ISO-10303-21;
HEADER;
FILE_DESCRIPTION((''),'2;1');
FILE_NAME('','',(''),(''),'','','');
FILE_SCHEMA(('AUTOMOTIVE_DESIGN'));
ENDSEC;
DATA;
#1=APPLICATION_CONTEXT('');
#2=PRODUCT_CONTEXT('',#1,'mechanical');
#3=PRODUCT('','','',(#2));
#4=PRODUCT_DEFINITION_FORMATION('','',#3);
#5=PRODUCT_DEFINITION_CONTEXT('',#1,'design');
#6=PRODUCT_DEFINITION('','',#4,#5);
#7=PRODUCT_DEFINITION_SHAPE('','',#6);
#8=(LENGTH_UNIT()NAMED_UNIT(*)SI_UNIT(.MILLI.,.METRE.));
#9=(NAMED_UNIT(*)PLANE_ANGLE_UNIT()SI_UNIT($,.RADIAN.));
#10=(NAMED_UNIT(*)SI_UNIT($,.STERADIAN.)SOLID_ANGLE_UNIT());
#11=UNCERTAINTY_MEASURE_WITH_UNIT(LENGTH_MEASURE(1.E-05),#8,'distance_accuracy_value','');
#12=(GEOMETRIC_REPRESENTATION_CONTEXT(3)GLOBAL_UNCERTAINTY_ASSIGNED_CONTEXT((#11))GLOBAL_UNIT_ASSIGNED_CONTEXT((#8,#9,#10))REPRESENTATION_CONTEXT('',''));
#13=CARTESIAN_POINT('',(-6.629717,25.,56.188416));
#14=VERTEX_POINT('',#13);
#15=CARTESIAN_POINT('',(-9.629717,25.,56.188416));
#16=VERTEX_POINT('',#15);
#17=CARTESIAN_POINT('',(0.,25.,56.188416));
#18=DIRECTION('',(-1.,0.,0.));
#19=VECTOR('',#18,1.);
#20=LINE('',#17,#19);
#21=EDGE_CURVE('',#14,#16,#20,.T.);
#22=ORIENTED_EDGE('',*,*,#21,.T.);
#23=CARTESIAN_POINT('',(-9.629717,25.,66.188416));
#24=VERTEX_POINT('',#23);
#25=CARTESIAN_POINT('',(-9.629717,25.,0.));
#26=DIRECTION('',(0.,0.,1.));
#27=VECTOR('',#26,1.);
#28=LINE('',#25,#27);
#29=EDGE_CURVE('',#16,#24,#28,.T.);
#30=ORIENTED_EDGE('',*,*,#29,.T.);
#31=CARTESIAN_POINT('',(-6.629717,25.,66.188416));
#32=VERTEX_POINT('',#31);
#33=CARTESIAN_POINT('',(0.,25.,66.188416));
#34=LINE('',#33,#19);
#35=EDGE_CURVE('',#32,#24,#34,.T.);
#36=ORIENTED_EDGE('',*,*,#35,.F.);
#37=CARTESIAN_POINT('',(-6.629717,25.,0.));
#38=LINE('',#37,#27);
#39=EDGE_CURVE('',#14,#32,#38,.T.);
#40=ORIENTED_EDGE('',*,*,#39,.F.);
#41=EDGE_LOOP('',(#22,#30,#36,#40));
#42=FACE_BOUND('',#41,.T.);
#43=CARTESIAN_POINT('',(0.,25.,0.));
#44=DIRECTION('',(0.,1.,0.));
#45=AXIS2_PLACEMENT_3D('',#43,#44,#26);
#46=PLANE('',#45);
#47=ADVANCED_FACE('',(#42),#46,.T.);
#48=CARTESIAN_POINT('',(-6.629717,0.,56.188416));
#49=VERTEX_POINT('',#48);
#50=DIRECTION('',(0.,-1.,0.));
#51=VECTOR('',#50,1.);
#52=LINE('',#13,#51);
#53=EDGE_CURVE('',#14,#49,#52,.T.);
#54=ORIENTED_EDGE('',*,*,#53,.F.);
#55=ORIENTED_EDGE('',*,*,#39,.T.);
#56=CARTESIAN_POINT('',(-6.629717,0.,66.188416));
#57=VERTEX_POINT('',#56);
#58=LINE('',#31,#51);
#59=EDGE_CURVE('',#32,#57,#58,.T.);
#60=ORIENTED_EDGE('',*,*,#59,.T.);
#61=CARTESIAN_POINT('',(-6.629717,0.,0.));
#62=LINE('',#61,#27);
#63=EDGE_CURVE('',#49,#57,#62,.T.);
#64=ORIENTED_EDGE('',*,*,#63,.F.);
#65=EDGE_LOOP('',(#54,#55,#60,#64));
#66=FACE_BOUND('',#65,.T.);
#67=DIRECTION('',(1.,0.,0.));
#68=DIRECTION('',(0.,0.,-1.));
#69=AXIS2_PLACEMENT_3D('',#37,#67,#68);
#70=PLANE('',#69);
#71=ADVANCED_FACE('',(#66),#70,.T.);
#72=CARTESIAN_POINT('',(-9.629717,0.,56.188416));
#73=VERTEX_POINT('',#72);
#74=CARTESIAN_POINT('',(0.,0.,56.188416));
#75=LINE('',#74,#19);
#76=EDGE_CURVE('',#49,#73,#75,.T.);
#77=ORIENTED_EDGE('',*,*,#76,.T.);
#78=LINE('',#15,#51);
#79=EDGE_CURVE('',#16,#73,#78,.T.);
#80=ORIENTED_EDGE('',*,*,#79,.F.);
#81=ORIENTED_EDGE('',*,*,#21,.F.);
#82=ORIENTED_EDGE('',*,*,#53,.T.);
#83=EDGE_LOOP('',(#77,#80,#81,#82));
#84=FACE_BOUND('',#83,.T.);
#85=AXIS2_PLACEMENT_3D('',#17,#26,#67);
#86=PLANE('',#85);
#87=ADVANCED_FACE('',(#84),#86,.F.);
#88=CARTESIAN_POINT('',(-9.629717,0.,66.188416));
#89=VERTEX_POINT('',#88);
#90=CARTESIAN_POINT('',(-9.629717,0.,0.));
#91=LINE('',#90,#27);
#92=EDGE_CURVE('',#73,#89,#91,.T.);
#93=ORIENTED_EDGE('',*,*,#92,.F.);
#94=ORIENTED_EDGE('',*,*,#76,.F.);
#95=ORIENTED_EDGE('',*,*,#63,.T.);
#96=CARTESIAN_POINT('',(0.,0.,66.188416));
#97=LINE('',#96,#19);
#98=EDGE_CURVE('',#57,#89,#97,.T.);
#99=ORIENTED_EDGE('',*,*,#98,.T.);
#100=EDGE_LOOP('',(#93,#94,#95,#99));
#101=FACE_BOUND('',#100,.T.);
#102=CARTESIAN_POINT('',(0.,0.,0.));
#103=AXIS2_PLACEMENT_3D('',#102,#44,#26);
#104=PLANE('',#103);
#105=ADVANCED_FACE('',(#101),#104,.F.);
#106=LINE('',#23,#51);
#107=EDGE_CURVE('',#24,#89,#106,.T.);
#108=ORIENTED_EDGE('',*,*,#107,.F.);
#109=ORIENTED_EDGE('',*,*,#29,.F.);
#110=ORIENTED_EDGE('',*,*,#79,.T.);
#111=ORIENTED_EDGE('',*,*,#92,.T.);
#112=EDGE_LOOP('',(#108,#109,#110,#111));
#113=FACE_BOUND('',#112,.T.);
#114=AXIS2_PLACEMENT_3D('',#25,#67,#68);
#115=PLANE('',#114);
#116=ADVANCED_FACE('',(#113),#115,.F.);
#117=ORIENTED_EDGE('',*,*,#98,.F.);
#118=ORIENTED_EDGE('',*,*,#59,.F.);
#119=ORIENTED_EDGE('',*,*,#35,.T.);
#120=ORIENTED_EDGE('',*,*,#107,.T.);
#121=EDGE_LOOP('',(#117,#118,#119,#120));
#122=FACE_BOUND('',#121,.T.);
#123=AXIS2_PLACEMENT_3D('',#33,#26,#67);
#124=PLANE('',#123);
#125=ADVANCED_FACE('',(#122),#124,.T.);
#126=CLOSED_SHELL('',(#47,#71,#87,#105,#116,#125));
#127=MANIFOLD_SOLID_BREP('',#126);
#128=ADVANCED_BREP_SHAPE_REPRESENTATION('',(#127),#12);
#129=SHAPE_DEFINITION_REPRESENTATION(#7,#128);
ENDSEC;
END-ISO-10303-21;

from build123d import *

# Parameters (mm, degrees)
SKETCH1_W           = 3
SKETCH1_H           = 10
BOSS_EXTRUDE1_DEPTH = 25


with BuildPart() as part:
    # Sketch1 → Boss-Extrude1 (new body)
    with BuildSketch(Plane(origin=(0, 0, 0), x_dir=(1, 0, 0), z_dir=(0, 1, 0))):
        with Locations((-8.129716691, -61.188416278)):
            Rectangle(SKETCH1_W, SKETCH1_H)
    extrude(amount=BOSS_EXTRUDE1_DEPTH)


solid = part.part
